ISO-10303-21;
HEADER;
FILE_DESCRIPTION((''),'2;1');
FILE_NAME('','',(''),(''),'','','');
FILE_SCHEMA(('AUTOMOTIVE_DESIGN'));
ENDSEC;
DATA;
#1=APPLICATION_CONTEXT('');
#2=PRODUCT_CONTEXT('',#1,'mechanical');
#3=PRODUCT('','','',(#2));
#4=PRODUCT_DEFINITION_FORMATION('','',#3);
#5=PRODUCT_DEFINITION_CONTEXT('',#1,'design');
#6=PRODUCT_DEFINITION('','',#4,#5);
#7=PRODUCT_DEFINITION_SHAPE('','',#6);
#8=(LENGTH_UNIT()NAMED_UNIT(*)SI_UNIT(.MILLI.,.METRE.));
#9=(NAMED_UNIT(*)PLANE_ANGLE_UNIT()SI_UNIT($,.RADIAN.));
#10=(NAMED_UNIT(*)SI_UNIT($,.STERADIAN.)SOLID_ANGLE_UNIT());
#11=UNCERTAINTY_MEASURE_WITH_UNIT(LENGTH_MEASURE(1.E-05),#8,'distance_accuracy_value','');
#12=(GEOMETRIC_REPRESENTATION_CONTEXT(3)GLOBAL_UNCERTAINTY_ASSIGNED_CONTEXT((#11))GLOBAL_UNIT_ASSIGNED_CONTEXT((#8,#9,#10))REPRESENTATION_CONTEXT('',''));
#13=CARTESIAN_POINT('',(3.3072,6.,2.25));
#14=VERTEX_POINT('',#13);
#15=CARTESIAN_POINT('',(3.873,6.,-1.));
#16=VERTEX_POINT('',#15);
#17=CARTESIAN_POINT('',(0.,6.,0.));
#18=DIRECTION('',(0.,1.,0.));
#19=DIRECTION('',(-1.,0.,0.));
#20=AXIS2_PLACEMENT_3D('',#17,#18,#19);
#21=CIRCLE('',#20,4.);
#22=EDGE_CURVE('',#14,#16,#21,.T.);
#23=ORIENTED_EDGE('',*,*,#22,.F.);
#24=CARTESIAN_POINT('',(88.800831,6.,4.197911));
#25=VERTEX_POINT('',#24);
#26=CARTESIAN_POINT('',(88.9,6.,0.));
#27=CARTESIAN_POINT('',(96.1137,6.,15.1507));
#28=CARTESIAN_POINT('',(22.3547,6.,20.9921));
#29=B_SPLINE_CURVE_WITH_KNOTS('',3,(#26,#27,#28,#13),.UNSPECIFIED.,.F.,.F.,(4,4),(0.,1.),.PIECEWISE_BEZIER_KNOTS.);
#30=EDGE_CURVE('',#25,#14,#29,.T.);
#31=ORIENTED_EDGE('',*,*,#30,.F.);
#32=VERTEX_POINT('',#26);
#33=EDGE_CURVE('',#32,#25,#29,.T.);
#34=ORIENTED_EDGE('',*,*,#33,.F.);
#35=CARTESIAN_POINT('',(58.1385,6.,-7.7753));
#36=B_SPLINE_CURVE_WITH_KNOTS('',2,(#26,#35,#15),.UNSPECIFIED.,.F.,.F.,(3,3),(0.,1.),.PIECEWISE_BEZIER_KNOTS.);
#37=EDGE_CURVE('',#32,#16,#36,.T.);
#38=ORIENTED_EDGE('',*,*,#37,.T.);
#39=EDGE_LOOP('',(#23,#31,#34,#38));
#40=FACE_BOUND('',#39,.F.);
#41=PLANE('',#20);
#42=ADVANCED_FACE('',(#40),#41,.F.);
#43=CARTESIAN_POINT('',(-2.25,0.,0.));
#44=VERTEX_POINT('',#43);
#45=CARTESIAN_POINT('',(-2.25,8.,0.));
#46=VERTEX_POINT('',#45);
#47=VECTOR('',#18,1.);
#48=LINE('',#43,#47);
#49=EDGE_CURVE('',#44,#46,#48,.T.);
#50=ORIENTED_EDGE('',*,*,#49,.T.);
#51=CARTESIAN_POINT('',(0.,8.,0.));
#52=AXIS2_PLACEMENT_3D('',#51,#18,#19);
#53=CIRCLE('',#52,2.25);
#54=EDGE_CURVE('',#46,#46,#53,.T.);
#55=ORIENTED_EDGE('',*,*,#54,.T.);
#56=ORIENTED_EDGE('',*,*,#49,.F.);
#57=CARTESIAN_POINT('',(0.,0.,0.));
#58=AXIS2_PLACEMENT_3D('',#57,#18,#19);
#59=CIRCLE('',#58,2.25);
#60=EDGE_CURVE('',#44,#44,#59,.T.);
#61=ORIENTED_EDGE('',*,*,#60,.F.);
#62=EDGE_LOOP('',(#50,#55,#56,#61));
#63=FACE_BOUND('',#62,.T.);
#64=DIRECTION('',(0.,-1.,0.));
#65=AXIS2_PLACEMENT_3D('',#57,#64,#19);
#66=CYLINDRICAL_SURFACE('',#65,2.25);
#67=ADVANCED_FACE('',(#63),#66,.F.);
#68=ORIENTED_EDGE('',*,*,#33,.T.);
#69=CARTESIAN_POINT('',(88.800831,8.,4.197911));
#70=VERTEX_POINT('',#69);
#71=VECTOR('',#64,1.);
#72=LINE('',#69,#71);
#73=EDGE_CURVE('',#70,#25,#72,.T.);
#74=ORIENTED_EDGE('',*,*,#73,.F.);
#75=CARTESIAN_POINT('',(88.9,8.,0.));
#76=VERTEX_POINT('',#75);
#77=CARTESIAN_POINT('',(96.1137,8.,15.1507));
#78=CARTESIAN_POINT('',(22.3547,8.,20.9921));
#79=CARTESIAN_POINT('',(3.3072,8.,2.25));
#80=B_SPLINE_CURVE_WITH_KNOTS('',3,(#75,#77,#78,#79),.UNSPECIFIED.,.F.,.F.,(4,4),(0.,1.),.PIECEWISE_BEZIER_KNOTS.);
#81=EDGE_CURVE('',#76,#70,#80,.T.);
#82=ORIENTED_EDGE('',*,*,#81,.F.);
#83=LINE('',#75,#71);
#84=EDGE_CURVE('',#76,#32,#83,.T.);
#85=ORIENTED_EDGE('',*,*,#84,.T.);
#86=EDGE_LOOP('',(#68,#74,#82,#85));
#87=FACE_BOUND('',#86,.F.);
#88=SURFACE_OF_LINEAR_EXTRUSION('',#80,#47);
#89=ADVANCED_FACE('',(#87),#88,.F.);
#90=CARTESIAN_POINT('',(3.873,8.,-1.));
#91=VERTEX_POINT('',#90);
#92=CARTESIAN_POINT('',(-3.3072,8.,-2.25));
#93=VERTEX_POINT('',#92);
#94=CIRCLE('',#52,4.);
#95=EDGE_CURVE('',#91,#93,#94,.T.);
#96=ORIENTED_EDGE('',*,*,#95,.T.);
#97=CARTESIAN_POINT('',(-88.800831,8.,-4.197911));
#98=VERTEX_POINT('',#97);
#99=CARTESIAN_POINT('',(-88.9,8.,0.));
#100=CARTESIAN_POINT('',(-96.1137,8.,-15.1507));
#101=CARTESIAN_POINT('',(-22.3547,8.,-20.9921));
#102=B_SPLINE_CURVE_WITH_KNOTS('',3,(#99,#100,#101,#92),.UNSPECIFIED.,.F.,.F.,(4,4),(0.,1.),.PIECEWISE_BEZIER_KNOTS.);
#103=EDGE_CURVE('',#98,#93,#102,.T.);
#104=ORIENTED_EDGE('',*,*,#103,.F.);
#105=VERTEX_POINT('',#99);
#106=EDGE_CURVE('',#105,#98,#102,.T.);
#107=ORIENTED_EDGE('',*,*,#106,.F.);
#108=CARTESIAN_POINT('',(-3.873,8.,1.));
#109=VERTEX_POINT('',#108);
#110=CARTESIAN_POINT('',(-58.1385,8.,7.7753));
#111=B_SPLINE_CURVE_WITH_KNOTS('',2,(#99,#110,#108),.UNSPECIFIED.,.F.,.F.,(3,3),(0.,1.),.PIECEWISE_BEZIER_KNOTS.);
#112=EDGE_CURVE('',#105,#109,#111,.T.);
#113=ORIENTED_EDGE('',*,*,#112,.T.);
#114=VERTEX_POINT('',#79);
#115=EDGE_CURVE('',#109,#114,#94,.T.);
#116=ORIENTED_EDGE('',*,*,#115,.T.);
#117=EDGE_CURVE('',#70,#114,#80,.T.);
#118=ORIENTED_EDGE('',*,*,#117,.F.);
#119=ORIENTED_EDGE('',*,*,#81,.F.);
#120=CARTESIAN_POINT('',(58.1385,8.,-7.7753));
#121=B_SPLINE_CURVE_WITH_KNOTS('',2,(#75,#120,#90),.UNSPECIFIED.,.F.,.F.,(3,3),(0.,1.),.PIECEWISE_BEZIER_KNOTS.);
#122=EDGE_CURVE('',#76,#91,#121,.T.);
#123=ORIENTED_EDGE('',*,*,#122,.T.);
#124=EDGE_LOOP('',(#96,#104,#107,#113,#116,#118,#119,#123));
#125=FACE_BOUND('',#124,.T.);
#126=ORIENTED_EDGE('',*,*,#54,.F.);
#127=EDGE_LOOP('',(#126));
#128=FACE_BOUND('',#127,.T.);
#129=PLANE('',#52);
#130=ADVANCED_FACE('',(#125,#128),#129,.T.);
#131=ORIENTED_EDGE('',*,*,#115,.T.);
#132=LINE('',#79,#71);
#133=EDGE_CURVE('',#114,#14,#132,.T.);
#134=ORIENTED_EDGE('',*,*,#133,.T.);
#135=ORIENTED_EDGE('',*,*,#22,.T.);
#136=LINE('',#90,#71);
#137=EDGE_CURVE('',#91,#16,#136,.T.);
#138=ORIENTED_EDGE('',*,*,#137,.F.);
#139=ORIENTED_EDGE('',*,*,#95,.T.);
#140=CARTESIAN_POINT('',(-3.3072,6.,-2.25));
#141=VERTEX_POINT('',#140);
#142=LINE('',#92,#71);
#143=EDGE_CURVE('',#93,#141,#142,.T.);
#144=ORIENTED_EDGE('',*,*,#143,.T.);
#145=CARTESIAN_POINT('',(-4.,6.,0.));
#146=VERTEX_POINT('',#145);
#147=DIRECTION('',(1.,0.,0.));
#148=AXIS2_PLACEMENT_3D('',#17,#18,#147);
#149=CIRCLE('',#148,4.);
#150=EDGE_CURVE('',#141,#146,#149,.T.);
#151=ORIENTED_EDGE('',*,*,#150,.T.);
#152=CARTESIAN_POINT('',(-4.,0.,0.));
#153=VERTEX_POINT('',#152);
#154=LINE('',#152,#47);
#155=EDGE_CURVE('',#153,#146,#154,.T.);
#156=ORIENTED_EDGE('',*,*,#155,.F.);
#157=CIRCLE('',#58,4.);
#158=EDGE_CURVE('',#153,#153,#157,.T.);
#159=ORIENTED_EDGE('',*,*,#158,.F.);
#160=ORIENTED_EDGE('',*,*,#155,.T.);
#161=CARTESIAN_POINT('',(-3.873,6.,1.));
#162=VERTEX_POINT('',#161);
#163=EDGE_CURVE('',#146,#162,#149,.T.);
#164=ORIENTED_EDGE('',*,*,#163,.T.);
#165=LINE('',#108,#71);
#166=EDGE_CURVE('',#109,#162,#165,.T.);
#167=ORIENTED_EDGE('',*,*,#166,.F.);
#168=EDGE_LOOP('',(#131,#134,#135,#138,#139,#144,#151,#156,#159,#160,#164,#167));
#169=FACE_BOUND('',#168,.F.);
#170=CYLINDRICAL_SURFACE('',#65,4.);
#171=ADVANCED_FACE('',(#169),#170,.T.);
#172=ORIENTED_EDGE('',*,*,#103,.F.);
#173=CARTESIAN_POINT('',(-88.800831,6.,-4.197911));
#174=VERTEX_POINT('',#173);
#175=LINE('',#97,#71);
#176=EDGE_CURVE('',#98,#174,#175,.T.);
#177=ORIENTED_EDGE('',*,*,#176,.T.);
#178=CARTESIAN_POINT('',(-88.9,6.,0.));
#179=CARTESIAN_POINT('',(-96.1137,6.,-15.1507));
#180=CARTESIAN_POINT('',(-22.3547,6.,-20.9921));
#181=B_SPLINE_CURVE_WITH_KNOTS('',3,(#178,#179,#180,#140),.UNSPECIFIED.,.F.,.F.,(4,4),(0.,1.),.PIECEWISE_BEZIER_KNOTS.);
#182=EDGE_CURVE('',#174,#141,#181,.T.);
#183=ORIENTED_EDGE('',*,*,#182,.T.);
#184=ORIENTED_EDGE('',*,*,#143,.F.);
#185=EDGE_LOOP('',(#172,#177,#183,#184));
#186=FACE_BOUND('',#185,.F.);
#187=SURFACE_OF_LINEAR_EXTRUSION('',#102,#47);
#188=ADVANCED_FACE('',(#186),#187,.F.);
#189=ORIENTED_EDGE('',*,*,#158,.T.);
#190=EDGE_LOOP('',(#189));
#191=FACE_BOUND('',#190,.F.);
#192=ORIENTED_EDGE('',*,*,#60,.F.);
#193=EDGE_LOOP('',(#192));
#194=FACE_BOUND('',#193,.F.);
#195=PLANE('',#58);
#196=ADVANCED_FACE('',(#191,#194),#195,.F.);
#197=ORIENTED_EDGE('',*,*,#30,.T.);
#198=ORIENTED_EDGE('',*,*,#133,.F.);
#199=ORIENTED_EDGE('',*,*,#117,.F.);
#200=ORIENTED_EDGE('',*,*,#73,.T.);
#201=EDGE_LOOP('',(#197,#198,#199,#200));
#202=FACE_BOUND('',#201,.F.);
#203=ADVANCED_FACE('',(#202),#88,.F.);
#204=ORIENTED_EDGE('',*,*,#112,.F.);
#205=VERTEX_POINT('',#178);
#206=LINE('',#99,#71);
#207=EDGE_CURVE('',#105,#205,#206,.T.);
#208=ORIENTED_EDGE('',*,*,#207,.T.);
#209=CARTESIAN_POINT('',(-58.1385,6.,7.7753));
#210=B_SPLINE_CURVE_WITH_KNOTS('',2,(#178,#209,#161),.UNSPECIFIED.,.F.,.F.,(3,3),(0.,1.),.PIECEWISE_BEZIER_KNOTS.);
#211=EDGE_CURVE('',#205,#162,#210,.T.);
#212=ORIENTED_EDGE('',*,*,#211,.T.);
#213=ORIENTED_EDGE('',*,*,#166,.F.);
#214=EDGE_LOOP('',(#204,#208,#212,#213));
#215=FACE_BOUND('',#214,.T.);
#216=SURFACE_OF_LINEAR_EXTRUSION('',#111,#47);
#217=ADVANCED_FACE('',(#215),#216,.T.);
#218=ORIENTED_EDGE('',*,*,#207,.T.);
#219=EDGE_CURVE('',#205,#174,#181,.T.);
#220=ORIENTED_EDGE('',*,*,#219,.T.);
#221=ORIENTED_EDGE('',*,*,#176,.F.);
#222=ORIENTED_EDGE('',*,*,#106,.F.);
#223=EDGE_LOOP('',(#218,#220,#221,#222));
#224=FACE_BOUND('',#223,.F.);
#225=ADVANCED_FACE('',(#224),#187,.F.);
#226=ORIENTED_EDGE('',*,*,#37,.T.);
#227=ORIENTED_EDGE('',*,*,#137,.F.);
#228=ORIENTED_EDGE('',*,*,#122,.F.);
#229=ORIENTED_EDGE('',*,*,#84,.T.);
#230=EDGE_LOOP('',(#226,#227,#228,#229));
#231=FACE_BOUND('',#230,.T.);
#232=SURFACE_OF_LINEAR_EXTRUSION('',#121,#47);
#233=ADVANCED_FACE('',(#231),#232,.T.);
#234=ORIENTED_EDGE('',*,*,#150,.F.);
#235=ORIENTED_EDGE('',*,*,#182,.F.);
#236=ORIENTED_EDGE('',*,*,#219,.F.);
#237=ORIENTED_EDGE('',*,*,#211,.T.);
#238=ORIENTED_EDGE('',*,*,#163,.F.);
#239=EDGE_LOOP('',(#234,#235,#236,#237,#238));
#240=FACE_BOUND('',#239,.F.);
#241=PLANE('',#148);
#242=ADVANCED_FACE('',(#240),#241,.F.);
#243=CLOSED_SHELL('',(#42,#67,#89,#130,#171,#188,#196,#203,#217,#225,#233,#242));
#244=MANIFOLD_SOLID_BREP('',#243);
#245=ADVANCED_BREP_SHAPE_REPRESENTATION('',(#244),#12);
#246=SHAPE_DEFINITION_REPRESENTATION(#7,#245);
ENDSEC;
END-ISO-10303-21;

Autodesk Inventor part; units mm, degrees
ref_plane "YZ Plane" through (0, 0, 0) normal (1, 0, 0) x (0, 1, 0)
ref_plane "XZ Plane" through (0, 0, 0) normal (0, 1, 0) x (-1, 0, 0)
ref_plane "XY Plane" through (0, 0, 0) normal (0, 0, 1) x (1, 0, 0)
sketch "Esquisse4" plane through (0, 0, 0) normal (0, 1, 0) x (-1, 0, 0)
  circle A0 centre (0, 0) radius 2.25
  circle A1 centre (0, 0) radius 4
  dimension "d6" = 4.5
  dimension "d7" = 8
extrude "Extrusion2" add sketch "Esquisse4" along normal blind 8
sketch "Esquisse5" plane through (0, 8, 0) normal (0, 1, 0) x (1, 0, 0)
  circle A0 centre (0, 0) radius 4 projected
  circle A1 centre (0, 0) radius 88.9
  spline S0 degree 3 poles (-88.9, 0) (-96.1137, 15.1507) (-22.3547, 20.9921) (-3.3072, 2.25) knots 0 0 0 0 1 1 1 1
  spline S1 degree 2 poles (-88.9, 0) (-58.1385, -7.7753) (-3.873, -1) knots 0 0 0 1 1 1
  point P0 (-86.0001, 7)
  point P1 (-47, 14)
  point P2 (-58, -4)
  dimension "d10" = 177.8
extrude "Extrusion3" add sketch "Esquisse5" against normal blind 2 contours A0 S1 A1 S0 | A1 S0 picked at (-43.854, 2.0054)
pattern_circular "Réseau circulaire1" count 2 over 360 about axis through (0, 0, 0) along (0, -1, 0) of "Extrusion3"
properties part number "Helice 7x3" material "Plastique ABS"
